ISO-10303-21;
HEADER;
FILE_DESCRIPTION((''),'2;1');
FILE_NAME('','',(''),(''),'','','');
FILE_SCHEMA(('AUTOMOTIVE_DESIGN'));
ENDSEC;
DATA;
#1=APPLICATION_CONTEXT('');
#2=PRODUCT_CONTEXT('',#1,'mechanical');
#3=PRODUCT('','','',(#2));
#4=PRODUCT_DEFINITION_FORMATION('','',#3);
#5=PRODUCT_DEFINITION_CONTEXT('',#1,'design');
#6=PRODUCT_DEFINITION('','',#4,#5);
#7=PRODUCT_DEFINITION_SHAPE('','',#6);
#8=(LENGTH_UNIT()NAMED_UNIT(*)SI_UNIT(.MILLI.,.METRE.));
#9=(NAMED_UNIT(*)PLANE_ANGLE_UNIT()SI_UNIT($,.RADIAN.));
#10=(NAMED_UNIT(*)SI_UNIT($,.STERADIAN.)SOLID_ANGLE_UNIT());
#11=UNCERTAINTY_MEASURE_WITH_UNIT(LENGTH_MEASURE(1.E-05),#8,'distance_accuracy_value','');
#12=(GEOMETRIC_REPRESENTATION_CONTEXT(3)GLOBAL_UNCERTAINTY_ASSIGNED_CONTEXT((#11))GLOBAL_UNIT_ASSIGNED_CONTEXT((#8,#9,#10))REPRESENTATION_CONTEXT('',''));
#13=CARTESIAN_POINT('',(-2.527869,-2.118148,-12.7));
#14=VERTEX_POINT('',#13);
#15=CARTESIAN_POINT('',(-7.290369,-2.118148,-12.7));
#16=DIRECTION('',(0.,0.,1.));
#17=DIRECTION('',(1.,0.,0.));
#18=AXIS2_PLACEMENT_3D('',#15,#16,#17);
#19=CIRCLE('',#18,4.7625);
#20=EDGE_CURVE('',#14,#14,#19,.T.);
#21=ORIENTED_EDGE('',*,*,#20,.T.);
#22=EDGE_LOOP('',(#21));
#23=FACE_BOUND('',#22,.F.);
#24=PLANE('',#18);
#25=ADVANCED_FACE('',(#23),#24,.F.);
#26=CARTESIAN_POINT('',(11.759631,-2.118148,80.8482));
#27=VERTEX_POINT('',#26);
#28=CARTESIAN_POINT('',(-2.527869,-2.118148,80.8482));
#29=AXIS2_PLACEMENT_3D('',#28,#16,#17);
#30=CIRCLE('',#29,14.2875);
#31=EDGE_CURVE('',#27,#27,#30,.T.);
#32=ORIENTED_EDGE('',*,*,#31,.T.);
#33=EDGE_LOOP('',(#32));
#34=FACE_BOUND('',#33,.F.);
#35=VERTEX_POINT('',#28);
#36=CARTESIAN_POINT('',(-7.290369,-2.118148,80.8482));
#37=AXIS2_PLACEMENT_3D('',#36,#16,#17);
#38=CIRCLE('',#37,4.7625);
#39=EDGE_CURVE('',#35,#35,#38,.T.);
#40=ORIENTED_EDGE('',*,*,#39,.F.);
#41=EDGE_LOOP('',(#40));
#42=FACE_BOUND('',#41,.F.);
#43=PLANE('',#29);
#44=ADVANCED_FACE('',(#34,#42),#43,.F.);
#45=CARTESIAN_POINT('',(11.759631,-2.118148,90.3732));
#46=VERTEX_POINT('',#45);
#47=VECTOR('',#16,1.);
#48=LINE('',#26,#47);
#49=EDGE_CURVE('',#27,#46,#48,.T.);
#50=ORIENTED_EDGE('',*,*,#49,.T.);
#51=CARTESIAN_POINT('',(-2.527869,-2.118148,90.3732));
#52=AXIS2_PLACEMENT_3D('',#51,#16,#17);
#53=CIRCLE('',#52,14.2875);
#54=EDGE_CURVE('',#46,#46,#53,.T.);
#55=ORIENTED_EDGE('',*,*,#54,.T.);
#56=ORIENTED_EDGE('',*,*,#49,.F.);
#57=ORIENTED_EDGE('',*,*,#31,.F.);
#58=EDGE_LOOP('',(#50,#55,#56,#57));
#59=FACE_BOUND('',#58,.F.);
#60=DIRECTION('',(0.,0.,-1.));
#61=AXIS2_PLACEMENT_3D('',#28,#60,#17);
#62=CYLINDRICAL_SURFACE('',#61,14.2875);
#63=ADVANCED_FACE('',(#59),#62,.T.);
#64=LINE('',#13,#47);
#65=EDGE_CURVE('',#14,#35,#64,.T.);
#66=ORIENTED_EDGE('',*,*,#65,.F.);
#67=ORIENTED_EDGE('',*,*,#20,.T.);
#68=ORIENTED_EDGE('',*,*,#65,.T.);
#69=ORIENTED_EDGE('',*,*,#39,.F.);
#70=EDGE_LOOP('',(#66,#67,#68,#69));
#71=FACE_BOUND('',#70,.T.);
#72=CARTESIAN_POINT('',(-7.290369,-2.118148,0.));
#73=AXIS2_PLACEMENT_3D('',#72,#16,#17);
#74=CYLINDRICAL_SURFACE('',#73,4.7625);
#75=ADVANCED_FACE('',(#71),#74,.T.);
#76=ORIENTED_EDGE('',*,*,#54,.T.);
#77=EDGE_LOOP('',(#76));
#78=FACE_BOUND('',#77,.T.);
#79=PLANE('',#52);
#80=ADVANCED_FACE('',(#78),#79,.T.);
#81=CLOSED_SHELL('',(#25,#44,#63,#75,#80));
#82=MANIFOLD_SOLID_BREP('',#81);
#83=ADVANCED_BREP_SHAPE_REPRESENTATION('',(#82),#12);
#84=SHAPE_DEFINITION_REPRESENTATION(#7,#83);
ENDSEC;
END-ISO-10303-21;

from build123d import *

# Parameters (mm, degrees)
F0_R     = 4.7625
F1_DEPTH = 80.8482
F2_R     = 14.2875
F3_DEPTH = 9.525
F4_DEPTH = 12.7


with BuildPart() as f1:
    # F0 (on Top) → F1 (new body)
    with BuildSketch(Plane.XY):
        with Locations((-7.290369, -2.118148)):
            Circle(F0_R)
    extrude(amount=F1_DEPTH)

    # F2 (on face) → F3 (join)
    with BuildSketch(Plane.XY.offset(80.8482)):
        with Locations((-2.527869, -2.118148)):
            Circle(F2_R)
    extrude(amount=F3_DEPTH)

    # F0 (on Top) → F4 (join)
    with BuildSketch(Plane.XY):
        with Locations((-7.290369, -2.118148)):
            Circle(F0_R)
    extrude(amount=-F4_DEPTH)


solid = f1.part
